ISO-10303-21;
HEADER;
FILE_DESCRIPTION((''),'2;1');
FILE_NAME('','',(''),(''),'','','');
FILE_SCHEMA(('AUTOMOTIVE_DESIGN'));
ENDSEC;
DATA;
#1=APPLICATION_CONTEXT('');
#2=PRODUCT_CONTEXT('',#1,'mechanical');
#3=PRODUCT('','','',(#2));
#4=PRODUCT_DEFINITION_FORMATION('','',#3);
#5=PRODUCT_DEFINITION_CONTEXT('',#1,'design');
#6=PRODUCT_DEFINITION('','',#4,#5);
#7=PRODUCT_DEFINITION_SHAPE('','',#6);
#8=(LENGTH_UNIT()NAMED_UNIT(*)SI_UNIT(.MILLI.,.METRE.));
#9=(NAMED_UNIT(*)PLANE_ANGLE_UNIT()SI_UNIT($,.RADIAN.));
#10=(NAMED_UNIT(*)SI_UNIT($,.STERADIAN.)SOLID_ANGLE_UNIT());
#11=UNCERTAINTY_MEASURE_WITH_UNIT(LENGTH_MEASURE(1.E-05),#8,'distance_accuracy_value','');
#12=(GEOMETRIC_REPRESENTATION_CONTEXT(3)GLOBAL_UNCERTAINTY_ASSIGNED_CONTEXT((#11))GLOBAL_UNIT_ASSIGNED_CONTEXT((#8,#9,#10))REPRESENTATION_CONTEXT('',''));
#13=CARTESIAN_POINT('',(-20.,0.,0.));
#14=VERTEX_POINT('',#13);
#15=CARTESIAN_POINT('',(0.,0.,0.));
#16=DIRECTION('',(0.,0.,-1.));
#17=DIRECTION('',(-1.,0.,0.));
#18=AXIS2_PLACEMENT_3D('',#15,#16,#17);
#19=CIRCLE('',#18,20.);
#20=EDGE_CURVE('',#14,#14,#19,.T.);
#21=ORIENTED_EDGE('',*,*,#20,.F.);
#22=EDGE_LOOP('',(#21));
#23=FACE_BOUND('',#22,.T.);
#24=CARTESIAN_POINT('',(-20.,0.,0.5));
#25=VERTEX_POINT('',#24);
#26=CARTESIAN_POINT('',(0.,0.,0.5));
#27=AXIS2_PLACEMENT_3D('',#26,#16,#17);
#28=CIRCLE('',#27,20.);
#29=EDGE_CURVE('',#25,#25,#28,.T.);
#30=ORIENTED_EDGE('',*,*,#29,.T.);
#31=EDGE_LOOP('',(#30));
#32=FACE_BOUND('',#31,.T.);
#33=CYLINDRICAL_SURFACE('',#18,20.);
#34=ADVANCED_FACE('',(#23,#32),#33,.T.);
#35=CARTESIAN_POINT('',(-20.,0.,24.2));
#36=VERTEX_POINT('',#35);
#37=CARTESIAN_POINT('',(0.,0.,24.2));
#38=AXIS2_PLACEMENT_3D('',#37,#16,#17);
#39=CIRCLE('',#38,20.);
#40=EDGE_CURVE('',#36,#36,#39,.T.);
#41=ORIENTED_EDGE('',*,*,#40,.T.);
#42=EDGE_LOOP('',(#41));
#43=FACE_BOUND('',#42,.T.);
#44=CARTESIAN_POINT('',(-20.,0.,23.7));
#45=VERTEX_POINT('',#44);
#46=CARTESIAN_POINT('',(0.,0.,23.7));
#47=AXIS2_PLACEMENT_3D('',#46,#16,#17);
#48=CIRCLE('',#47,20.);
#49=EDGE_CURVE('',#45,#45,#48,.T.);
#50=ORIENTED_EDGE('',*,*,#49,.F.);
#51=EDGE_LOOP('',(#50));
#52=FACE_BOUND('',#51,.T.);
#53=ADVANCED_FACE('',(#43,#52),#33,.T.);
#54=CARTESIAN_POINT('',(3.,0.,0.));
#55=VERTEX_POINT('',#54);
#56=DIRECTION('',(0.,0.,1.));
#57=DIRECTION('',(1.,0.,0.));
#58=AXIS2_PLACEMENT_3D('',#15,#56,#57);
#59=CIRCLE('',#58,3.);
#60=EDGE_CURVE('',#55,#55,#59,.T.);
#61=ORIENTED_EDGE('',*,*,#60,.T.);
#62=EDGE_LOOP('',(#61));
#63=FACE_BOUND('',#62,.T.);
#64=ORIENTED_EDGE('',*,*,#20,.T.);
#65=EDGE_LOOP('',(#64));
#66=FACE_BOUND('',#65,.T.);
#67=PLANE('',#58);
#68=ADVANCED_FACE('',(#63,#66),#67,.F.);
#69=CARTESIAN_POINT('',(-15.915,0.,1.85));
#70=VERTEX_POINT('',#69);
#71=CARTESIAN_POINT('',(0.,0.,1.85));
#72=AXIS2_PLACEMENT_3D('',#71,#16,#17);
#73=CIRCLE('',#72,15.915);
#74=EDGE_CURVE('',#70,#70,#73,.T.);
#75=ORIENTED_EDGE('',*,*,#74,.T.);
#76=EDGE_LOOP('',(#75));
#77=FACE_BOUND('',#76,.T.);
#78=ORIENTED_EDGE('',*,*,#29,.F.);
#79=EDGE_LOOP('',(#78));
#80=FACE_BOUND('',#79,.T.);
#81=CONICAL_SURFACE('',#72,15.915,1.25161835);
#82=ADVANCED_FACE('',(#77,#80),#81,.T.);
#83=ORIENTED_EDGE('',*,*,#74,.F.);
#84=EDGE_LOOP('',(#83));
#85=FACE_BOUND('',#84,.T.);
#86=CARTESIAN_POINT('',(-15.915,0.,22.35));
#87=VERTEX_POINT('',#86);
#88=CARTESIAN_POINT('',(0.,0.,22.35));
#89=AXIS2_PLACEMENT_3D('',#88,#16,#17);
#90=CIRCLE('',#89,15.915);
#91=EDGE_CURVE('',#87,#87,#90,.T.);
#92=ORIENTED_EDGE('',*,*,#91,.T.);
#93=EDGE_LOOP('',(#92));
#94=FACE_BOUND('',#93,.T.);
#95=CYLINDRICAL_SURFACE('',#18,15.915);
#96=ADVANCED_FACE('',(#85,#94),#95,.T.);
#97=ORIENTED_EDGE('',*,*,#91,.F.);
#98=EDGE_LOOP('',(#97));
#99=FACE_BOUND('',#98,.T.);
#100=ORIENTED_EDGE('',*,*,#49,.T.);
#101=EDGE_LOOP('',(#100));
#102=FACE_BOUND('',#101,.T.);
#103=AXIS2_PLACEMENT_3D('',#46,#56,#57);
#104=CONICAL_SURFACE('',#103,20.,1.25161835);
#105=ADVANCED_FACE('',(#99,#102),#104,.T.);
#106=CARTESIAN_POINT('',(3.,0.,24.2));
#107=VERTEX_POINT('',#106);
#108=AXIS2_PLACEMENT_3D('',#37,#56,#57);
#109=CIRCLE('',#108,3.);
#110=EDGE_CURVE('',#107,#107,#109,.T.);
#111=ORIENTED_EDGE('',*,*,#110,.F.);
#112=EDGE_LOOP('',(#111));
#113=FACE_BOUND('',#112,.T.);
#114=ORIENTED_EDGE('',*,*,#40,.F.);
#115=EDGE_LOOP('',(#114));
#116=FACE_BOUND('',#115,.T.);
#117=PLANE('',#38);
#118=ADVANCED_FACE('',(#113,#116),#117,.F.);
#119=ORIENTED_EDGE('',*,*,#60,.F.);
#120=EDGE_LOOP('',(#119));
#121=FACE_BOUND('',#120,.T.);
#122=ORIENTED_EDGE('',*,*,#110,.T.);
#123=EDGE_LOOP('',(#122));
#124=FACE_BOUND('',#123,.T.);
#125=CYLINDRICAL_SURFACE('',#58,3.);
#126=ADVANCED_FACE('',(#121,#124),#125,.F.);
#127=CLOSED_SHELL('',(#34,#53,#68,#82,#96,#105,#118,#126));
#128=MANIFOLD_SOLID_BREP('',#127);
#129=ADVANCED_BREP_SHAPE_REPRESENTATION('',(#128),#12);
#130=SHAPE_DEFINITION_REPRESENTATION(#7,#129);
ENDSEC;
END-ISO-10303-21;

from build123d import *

# Parameters (mm, degrees)
SKETCH_3_R          = 3
CUT_EXTRUDE_1_DEPTH = 25.2


with BuildPart() as part:
    # 草圖2 → 旋轉1 (revolve)
    with BuildSketch(Plane(origin=(0, 0, 0), x_dir=(1, 0, 0), z_dir=(0, 1, 0))):
        Polygon((20, -0.5), (15.915, -1.85), (15.915, -22.35), (20, -23.7), (20, -24.2), (0, -24.2), (0, 0), (20, 0), align=None)
    revolve(axis=Axis((0, 0, 0), (0, 0, 1)))

    # 草圖3 → 除料-伸長1 (cut, through all)
    with BuildSketch(Plane.XY.offset(24.2)):
        Circle(SKETCH_3_R)
    extrude(amount=-CUT_EXTRUDE_1_DEPTH, mode=Mode.SUBTRACT)


solid = part.part
